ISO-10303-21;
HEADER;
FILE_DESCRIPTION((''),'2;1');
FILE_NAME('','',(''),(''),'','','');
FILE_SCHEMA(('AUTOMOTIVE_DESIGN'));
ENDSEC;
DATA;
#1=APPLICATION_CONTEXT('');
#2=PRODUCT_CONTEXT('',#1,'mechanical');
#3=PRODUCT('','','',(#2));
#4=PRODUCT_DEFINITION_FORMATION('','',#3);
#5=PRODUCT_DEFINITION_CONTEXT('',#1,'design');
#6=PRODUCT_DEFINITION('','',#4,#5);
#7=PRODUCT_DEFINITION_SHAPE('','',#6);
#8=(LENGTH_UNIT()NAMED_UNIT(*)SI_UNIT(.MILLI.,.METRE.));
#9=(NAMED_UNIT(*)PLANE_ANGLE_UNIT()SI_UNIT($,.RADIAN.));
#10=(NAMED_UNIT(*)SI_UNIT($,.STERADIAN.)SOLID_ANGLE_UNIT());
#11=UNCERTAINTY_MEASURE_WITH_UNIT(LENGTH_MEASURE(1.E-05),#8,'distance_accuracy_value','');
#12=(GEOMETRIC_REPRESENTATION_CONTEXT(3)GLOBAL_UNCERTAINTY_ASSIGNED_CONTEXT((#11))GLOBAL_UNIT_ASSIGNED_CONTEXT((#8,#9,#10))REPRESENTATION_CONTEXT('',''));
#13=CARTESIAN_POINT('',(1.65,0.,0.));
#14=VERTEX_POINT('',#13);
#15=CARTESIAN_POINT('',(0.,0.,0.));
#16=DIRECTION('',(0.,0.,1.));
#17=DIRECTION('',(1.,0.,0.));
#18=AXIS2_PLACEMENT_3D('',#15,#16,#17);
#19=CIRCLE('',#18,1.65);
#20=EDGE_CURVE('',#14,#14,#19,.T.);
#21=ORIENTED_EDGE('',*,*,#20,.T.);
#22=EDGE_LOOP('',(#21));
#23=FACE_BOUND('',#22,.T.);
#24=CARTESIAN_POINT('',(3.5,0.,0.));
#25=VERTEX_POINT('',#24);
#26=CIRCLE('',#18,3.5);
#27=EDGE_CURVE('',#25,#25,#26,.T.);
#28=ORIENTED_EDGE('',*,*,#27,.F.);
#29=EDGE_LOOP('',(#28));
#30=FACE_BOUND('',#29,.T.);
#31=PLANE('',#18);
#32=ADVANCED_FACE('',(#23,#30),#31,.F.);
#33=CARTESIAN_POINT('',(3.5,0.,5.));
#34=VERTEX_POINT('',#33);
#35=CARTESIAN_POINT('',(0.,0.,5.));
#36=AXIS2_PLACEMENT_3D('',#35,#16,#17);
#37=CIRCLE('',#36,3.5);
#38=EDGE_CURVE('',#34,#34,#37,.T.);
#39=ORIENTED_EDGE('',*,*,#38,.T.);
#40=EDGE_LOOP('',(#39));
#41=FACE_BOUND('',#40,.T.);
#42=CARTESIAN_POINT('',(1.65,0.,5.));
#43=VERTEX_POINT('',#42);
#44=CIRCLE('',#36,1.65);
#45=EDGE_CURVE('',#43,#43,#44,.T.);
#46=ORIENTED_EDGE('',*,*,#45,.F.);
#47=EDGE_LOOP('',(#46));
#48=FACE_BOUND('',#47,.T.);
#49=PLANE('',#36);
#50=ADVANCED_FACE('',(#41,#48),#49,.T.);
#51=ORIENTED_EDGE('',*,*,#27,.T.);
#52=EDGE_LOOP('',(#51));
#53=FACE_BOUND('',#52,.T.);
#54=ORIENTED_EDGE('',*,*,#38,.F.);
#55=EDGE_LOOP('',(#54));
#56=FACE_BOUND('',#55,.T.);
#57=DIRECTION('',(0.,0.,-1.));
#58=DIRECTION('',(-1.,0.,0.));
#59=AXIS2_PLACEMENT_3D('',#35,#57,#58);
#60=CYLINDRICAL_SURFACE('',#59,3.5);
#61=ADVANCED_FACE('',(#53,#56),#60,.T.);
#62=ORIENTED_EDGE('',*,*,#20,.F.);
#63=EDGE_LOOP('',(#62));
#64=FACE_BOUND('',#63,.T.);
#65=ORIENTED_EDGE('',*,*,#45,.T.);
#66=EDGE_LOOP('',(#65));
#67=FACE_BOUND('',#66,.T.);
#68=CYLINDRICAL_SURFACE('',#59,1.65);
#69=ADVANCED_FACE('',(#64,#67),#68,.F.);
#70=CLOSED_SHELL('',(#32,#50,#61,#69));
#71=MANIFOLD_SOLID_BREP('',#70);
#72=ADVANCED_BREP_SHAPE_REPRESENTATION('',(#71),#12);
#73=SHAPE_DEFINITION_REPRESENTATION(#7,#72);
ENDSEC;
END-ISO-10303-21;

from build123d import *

# Parameters (mm, degrees)
SKETCH_1_R      = 3.5
SKETCH_1_R_2    = 1.65
EXTRUDE_1_DEPTH = 5


with BuildPart() as part:
    # ｽｹｯﾁ1 → ﾎﾞｽ - 押し出し1 (new body)
    with BuildSketch(Plane.XY):
        Circle(SKETCH_1_R)
        Circle(SKETCH_1_R_2, mode=Mode.SUBTRACT)
    extrude(amount=EXTRUDE_1_DEPTH)


solid = part.part
